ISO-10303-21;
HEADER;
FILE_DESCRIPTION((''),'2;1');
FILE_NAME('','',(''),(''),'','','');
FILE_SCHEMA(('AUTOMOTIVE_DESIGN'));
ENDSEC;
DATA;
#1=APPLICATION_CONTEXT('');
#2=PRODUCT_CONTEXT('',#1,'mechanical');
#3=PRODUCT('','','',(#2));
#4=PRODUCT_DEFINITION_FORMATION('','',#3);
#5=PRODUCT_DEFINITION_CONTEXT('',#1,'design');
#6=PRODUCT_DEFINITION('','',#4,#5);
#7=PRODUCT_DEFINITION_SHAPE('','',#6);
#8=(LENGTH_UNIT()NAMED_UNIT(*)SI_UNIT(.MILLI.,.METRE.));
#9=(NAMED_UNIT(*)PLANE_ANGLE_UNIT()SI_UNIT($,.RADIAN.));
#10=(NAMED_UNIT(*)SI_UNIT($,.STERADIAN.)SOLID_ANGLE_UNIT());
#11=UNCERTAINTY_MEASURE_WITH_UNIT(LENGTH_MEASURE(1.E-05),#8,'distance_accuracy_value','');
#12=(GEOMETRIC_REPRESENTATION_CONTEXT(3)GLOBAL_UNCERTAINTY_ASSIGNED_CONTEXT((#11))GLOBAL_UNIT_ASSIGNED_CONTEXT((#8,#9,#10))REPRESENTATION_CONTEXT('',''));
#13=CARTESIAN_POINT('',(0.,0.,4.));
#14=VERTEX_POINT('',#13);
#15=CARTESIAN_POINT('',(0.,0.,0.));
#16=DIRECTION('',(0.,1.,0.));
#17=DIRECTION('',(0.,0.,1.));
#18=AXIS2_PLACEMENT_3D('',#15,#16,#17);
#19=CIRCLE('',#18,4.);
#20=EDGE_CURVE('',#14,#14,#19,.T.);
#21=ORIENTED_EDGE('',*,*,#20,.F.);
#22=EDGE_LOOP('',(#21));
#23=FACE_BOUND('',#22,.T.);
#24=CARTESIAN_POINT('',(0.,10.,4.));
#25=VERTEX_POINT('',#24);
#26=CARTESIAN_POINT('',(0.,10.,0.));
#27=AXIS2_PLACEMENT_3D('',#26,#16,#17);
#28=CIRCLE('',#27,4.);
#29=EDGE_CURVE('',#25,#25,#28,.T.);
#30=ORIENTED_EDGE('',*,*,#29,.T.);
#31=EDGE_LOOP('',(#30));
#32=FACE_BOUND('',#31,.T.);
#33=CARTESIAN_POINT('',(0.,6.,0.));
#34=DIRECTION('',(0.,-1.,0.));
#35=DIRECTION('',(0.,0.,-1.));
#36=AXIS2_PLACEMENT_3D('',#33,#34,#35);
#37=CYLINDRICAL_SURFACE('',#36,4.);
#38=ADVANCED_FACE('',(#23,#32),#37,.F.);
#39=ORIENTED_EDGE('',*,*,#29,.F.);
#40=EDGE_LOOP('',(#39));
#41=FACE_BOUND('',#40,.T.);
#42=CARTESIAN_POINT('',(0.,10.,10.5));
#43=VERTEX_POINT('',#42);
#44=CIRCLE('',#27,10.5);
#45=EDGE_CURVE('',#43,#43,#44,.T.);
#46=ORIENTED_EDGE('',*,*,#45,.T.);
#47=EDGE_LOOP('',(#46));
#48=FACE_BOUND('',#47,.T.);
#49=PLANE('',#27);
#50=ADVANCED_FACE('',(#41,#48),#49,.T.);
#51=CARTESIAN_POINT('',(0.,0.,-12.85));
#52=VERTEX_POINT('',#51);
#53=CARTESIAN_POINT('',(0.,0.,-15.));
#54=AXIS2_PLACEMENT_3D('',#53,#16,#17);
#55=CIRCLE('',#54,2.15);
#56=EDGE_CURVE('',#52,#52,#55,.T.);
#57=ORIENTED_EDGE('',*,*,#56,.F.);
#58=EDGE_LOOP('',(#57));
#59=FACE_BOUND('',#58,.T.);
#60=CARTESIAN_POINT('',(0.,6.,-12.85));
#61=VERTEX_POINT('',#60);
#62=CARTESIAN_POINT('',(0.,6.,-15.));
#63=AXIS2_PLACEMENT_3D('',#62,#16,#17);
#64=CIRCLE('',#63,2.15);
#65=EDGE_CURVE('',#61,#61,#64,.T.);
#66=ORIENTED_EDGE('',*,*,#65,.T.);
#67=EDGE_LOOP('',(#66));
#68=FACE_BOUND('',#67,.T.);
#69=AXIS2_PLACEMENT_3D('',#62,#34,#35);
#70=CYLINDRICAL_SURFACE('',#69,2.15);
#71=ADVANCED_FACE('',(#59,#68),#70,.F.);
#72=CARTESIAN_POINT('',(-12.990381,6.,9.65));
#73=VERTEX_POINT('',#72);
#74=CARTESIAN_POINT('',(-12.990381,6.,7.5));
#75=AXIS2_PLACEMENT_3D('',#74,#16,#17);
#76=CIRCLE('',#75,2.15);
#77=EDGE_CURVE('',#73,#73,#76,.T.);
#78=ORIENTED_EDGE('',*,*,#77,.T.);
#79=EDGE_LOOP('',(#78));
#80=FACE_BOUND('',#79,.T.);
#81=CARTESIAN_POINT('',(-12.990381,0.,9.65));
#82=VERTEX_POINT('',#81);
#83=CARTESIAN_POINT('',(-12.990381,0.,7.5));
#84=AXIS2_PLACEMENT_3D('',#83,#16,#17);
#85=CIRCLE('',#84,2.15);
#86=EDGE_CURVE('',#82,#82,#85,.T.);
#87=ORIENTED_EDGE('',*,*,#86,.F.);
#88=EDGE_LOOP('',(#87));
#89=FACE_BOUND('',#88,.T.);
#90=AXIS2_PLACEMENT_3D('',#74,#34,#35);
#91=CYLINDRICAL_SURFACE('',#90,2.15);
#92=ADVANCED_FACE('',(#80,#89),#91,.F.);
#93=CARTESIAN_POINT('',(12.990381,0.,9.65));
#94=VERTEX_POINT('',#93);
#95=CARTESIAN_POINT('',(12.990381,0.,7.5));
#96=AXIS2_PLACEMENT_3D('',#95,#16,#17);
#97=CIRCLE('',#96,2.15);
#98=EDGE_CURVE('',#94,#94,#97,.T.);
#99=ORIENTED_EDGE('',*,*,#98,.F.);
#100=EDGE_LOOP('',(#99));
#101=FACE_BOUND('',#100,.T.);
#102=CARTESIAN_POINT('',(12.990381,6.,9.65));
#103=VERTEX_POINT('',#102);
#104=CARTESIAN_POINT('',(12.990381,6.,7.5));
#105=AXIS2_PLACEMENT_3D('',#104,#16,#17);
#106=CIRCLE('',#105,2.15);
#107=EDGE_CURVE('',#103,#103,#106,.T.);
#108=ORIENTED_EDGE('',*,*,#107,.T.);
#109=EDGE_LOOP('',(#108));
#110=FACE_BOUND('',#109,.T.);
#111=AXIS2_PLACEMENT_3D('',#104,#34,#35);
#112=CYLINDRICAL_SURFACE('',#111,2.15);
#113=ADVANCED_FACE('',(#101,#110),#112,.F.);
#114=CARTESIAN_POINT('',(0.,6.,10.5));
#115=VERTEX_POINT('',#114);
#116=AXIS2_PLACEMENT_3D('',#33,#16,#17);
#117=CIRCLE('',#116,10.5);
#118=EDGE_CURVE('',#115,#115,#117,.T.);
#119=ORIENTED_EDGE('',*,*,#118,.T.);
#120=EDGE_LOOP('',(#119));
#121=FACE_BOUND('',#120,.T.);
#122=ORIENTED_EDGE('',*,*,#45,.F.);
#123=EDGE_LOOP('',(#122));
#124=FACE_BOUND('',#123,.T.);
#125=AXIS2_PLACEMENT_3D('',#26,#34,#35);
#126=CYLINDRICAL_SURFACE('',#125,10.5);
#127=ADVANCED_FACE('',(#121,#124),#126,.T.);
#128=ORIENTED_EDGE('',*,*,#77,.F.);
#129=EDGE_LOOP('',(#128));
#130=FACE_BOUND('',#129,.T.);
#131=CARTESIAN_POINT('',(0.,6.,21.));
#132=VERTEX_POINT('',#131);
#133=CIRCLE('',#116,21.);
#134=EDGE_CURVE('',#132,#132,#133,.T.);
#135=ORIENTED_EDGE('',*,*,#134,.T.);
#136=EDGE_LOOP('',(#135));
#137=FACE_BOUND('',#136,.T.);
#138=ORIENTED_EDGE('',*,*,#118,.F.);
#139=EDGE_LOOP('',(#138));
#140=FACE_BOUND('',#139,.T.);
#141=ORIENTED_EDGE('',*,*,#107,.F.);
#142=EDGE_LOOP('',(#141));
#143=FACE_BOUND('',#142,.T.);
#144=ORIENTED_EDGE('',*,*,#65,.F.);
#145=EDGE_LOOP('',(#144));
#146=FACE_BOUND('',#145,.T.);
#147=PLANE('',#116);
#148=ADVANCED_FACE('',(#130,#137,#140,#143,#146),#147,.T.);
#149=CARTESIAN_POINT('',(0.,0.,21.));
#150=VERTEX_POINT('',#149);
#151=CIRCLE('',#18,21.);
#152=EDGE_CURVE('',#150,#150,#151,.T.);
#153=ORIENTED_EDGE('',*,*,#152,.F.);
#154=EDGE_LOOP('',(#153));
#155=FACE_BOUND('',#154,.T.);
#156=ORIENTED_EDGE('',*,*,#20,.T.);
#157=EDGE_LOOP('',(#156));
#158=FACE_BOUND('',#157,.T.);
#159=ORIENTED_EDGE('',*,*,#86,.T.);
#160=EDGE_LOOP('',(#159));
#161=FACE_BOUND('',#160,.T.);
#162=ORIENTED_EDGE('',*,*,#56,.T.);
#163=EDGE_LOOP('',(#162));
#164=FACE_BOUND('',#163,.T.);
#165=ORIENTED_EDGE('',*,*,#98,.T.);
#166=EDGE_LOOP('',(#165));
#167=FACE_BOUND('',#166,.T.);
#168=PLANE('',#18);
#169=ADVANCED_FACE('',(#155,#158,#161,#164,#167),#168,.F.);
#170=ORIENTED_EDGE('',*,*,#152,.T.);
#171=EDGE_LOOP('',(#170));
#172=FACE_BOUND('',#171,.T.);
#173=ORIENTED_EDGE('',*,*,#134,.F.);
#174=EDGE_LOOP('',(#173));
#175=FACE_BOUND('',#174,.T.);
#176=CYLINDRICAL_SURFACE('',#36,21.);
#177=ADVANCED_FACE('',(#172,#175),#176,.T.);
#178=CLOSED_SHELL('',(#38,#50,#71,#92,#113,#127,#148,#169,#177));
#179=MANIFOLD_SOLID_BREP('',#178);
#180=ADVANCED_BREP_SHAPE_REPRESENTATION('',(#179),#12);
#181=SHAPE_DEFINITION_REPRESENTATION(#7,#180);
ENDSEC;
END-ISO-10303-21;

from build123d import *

# Parameters (mm, degrees)
SKETCH1_R           = 21
SKETCH1_R_2         = 4
SKETCH1_R_3         = 2.15
BOSS_EXTRUDE1_DEPTH = 6
SKETCH2_R           = 10.5
SKETCH2_R_2         = 4
BOSS_EXTRUDE2_DEPTH = 4


with BuildPart() as part:
    # Sketch1 → Boss-Extrude1 (new body)
    with BuildSketch(Plane(origin=(0, 0, 0), x_dir=(1, 0, 0), z_dir=(0, 1, 0))):
        with Locations(Location((0, 0, 0), (0, 0, 270))):
            Circle(SKETCH1_R)
        with Locations(Location((0, 0, 0), (0, 0, 270))):
            Circle(SKETCH1_R_2, mode=Mode.SUBTRACT)
        with Locations(Location((0, 15, 0), (0, 0, 270))):
            Circle(SKETCH1_R_3, mode=Mode.SUBTRACT)
        with Locations(Location((12.990381057, -7.5, 0), (0, 0, 270))):
            Circle(SKETCH1_R_3, mode=Mode.SUBTRACT)
        with Locations(Location((-12.990381057, -7.5, 0), (0, 0, 270))):
            Circle(SKETCH1_R_3, mode=Mode.SUBTRACT)
    extrude(amount=BOSS_EXTRUDE1_DEPTH)

    # Sketch2 → Boss-Extrude2 (add)
    with BuildSketch(Plane(origin=(0, 6, 0), x_dir=(1, 0, 0), z_dir=(0, 1, 0))):
        with Locations(Location((0, 0, 0), (0, 0, 270))):
            Circle(SKETCH2_R)
        with Locations(Location((0, 0, 0), (0, 0, 270))):
            Circle(SKETCH2_R_2, mode=Mode.SUBTRACT)
    extrude(amount=BOSS_EXTRUDE2_DEPTH)


solid = part.part
